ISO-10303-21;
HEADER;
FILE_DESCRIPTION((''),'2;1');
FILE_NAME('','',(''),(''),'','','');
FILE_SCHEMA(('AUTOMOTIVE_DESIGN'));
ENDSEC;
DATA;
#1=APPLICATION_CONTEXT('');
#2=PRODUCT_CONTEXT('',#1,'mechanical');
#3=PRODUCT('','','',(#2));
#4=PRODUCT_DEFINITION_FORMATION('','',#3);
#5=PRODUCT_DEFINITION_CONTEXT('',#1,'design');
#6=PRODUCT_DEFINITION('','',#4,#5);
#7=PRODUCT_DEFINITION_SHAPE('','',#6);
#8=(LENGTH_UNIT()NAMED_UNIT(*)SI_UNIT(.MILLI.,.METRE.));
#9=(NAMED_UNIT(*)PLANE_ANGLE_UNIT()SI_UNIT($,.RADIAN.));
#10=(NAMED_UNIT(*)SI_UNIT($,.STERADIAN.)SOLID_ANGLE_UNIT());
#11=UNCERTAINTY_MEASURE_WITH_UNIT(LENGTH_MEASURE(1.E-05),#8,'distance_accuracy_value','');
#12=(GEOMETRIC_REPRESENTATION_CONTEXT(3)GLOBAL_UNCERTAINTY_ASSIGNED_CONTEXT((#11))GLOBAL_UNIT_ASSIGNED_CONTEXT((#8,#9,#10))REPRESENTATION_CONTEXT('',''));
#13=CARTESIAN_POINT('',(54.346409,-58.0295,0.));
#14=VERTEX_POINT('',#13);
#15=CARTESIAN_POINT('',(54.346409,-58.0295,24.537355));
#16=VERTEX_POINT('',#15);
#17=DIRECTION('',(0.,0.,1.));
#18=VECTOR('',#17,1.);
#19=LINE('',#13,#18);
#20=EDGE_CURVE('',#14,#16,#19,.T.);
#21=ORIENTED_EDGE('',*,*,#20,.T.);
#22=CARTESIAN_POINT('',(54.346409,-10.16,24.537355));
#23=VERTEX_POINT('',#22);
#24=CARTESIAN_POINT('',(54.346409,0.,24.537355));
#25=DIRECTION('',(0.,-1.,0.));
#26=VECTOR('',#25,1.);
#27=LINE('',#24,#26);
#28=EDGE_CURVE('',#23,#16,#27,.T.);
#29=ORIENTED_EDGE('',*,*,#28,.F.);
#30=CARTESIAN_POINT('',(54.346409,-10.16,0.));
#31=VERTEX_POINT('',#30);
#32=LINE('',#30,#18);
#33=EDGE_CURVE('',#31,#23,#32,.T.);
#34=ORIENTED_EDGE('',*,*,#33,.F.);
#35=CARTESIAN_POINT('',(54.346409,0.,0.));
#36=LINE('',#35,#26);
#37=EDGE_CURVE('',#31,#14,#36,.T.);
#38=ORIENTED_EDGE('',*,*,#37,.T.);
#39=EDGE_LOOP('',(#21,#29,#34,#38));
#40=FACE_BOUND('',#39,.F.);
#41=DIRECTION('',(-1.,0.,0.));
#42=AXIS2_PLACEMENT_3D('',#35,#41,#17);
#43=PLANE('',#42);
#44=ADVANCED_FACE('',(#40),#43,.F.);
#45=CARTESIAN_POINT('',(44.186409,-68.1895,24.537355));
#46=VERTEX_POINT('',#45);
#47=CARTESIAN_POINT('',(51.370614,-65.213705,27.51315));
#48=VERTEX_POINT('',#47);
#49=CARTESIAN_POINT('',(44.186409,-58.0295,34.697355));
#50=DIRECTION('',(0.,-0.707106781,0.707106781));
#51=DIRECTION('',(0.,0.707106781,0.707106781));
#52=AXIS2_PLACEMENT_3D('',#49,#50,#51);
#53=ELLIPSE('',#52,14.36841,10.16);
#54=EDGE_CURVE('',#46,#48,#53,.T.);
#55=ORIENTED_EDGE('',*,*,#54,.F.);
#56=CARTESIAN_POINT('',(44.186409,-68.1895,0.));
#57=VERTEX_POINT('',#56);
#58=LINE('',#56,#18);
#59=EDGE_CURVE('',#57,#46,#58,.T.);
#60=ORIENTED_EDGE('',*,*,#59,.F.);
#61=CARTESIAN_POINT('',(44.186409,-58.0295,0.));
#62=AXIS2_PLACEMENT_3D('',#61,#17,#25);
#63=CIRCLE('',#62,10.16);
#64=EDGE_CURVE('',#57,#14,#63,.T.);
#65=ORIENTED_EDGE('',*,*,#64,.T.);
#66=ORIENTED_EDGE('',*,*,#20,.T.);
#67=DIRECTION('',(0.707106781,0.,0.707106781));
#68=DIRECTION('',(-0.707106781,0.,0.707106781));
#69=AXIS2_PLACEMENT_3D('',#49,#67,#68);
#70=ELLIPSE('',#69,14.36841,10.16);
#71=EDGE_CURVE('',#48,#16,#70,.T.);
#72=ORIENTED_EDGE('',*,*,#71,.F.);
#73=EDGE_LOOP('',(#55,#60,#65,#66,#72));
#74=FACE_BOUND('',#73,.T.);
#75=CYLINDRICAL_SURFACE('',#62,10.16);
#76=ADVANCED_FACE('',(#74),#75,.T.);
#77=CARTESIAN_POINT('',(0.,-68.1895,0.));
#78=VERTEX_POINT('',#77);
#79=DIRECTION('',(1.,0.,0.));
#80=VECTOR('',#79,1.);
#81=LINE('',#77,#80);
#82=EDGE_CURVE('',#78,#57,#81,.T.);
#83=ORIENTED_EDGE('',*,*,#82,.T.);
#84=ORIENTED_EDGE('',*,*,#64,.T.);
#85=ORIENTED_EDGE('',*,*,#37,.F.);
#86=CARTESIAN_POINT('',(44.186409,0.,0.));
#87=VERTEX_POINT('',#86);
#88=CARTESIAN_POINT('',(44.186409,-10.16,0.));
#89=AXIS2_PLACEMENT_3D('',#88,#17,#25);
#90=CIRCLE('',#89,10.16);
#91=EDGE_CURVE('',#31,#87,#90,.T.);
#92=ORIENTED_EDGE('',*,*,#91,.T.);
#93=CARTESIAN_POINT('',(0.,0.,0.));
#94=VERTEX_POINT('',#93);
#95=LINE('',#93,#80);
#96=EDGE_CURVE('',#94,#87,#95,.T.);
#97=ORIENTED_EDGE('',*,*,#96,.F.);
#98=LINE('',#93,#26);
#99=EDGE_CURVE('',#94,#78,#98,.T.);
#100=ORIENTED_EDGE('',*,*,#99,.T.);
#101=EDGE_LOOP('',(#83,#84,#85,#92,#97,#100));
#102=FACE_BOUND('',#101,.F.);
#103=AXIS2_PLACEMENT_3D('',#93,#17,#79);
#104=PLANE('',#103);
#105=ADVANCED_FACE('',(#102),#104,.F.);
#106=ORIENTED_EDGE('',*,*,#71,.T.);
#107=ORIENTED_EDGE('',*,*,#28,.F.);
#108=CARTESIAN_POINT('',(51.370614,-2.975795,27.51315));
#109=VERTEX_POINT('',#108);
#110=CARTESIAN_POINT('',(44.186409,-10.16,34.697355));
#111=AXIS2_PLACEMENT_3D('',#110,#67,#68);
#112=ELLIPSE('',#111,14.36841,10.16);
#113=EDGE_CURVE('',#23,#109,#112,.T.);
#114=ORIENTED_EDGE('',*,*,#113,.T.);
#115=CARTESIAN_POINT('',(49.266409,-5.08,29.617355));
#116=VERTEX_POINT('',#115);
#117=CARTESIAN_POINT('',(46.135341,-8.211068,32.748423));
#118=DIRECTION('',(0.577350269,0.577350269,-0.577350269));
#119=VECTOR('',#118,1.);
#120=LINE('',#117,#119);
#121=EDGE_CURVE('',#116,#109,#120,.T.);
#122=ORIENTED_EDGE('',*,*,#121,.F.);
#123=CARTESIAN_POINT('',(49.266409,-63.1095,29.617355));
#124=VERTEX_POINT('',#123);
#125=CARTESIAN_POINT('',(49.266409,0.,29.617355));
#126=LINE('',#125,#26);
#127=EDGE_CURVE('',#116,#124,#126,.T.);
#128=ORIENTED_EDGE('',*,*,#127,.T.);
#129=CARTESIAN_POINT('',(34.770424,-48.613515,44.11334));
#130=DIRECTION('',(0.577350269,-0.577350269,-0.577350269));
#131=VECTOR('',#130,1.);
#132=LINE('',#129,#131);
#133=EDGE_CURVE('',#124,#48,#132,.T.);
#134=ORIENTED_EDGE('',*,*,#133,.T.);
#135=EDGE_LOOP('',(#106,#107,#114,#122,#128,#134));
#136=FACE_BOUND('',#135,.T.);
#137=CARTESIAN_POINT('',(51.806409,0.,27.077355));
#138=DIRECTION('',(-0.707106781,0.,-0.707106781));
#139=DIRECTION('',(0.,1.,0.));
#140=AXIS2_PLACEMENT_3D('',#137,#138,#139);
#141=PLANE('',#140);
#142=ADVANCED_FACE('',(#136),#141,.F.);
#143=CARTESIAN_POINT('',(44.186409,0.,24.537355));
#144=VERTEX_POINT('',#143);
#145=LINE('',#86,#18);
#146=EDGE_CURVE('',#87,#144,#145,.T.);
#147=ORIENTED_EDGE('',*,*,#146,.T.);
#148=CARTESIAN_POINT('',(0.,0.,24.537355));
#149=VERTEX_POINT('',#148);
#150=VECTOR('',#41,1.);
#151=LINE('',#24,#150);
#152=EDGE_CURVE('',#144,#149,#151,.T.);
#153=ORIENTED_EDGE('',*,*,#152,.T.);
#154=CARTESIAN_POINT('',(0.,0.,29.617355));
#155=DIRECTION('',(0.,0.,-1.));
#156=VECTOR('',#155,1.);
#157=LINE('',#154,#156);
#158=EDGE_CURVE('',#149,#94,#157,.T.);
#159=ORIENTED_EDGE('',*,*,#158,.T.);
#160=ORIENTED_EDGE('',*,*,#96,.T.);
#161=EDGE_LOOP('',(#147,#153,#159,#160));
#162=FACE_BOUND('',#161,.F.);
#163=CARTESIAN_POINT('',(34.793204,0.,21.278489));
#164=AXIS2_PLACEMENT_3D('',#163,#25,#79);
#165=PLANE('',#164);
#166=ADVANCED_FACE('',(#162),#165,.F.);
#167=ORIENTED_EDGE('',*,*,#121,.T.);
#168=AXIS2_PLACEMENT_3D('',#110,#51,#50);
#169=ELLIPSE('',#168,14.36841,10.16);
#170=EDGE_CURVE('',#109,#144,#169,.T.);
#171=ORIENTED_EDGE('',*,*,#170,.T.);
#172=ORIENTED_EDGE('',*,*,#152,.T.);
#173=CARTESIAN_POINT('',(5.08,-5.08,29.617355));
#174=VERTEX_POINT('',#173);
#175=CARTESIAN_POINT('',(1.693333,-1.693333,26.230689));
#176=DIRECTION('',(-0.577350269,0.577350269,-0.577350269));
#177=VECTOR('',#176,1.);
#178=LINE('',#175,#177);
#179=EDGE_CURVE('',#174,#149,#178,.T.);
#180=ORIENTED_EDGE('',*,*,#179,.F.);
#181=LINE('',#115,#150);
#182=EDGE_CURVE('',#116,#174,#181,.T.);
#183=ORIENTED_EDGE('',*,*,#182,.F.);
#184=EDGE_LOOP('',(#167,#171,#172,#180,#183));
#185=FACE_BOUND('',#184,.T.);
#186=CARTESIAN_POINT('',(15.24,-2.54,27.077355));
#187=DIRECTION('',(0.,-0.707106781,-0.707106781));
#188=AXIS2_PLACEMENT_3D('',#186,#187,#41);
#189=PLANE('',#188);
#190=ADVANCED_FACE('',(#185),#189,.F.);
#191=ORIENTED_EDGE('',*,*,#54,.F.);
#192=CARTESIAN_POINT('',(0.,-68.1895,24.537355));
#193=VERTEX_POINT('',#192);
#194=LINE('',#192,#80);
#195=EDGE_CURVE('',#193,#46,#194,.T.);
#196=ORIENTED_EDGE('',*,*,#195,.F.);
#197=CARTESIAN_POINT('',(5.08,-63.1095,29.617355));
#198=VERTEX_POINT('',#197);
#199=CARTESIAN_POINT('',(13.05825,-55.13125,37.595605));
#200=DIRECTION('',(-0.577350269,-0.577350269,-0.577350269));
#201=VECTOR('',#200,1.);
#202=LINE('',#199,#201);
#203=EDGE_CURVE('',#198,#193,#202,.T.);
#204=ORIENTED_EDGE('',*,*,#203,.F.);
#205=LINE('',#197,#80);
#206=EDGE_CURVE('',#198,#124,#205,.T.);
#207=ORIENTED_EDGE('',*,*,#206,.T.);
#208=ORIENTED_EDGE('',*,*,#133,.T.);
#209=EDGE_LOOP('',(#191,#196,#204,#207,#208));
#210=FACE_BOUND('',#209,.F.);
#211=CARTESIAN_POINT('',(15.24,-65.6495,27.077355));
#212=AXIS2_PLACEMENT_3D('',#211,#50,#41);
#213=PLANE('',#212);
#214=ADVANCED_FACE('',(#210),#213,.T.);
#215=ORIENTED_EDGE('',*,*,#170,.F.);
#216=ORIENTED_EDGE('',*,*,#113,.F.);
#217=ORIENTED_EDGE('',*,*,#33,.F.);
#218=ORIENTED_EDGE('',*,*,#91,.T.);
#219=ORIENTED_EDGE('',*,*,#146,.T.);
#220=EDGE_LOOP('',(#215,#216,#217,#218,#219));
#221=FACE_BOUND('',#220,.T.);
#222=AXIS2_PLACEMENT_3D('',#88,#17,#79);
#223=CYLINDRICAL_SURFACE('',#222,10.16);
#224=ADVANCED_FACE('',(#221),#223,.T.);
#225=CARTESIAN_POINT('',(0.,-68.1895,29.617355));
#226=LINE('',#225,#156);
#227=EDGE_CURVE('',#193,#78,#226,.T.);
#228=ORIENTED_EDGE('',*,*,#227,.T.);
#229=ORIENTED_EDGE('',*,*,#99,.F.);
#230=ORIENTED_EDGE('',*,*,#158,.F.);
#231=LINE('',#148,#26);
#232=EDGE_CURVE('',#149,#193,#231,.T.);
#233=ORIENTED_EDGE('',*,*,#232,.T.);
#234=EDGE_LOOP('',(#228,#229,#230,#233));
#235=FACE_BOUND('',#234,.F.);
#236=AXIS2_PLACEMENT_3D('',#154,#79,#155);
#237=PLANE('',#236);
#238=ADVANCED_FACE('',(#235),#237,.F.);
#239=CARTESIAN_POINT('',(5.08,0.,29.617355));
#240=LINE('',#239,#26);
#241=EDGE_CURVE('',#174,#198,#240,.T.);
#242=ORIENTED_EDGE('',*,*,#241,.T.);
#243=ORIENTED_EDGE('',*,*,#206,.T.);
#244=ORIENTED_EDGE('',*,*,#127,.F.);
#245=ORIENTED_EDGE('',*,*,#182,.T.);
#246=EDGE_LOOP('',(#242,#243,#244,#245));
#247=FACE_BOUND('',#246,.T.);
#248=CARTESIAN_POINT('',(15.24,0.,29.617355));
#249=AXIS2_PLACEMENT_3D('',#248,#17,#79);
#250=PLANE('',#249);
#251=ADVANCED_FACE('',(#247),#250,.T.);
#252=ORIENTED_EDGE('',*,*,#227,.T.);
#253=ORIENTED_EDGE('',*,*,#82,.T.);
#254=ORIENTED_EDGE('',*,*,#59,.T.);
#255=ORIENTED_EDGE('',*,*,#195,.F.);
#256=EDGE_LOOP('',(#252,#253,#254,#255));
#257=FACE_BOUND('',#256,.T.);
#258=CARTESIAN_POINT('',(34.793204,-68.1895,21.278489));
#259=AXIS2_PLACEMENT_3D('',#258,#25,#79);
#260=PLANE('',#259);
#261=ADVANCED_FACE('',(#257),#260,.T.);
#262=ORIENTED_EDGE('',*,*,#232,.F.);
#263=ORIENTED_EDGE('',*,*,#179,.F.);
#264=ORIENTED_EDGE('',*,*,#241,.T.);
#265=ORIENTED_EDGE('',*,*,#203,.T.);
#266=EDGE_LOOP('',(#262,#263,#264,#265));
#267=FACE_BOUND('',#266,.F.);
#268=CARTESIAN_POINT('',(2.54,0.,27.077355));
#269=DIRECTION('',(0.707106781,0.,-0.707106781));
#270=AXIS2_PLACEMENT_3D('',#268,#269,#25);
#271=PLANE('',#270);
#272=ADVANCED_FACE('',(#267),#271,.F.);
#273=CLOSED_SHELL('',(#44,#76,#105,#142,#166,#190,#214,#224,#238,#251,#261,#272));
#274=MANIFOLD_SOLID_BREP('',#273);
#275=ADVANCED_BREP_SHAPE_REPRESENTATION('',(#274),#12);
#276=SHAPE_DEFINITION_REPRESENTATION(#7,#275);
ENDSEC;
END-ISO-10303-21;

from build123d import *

# Parameters (mm, degrees)
F0_W     = 39.1064089628
F0_H     = 16.67773308
F1_DEPTH = 68.1895
F2_SIZE2 = 5.08
F2_SIZE  = 5.08
F3_R     = 10.16


with BuildPart() as f1:
    # F0 (on Front) → F1 (new body)
    with BuildSketch(Plane.XZ):
        with Locations((34.7932044814, 21.27848872)):
            Rectangle(F0_W, F0_H)
        Polygon((0, 29.6173552599), (0, 0), (54.3464089628, 0), (54.3464089628, 12.93962218), (15.24, 12.93962218), (15.24, 29.6173552599), align=None)
    extrude(amount=F1_DEPTH)

    # F2
    f2_edges = [f1.edges().sort_by_distance(p)[0] for p in [
        (54.346409, -34.09475, 29.617355),
        (27.173204, 0, 29.617355),
        (0, -34.09475, 29.617355),
        (27.173204, -68.1895, 29.617355),
    ]]
    chamfer(f2_edges, length=F2_SIZE, length2=F2_SIZE2)

    # F3
    f3_edges = [f1.edges().sort_by_distance(p)[0] for p in [
        (54.346409, 0, 12.268678),
        (54.346409, -68.1895, 12.268678),
    ]]
    fillet(f3_edges, radius=F3_R)


solid = f1.part
